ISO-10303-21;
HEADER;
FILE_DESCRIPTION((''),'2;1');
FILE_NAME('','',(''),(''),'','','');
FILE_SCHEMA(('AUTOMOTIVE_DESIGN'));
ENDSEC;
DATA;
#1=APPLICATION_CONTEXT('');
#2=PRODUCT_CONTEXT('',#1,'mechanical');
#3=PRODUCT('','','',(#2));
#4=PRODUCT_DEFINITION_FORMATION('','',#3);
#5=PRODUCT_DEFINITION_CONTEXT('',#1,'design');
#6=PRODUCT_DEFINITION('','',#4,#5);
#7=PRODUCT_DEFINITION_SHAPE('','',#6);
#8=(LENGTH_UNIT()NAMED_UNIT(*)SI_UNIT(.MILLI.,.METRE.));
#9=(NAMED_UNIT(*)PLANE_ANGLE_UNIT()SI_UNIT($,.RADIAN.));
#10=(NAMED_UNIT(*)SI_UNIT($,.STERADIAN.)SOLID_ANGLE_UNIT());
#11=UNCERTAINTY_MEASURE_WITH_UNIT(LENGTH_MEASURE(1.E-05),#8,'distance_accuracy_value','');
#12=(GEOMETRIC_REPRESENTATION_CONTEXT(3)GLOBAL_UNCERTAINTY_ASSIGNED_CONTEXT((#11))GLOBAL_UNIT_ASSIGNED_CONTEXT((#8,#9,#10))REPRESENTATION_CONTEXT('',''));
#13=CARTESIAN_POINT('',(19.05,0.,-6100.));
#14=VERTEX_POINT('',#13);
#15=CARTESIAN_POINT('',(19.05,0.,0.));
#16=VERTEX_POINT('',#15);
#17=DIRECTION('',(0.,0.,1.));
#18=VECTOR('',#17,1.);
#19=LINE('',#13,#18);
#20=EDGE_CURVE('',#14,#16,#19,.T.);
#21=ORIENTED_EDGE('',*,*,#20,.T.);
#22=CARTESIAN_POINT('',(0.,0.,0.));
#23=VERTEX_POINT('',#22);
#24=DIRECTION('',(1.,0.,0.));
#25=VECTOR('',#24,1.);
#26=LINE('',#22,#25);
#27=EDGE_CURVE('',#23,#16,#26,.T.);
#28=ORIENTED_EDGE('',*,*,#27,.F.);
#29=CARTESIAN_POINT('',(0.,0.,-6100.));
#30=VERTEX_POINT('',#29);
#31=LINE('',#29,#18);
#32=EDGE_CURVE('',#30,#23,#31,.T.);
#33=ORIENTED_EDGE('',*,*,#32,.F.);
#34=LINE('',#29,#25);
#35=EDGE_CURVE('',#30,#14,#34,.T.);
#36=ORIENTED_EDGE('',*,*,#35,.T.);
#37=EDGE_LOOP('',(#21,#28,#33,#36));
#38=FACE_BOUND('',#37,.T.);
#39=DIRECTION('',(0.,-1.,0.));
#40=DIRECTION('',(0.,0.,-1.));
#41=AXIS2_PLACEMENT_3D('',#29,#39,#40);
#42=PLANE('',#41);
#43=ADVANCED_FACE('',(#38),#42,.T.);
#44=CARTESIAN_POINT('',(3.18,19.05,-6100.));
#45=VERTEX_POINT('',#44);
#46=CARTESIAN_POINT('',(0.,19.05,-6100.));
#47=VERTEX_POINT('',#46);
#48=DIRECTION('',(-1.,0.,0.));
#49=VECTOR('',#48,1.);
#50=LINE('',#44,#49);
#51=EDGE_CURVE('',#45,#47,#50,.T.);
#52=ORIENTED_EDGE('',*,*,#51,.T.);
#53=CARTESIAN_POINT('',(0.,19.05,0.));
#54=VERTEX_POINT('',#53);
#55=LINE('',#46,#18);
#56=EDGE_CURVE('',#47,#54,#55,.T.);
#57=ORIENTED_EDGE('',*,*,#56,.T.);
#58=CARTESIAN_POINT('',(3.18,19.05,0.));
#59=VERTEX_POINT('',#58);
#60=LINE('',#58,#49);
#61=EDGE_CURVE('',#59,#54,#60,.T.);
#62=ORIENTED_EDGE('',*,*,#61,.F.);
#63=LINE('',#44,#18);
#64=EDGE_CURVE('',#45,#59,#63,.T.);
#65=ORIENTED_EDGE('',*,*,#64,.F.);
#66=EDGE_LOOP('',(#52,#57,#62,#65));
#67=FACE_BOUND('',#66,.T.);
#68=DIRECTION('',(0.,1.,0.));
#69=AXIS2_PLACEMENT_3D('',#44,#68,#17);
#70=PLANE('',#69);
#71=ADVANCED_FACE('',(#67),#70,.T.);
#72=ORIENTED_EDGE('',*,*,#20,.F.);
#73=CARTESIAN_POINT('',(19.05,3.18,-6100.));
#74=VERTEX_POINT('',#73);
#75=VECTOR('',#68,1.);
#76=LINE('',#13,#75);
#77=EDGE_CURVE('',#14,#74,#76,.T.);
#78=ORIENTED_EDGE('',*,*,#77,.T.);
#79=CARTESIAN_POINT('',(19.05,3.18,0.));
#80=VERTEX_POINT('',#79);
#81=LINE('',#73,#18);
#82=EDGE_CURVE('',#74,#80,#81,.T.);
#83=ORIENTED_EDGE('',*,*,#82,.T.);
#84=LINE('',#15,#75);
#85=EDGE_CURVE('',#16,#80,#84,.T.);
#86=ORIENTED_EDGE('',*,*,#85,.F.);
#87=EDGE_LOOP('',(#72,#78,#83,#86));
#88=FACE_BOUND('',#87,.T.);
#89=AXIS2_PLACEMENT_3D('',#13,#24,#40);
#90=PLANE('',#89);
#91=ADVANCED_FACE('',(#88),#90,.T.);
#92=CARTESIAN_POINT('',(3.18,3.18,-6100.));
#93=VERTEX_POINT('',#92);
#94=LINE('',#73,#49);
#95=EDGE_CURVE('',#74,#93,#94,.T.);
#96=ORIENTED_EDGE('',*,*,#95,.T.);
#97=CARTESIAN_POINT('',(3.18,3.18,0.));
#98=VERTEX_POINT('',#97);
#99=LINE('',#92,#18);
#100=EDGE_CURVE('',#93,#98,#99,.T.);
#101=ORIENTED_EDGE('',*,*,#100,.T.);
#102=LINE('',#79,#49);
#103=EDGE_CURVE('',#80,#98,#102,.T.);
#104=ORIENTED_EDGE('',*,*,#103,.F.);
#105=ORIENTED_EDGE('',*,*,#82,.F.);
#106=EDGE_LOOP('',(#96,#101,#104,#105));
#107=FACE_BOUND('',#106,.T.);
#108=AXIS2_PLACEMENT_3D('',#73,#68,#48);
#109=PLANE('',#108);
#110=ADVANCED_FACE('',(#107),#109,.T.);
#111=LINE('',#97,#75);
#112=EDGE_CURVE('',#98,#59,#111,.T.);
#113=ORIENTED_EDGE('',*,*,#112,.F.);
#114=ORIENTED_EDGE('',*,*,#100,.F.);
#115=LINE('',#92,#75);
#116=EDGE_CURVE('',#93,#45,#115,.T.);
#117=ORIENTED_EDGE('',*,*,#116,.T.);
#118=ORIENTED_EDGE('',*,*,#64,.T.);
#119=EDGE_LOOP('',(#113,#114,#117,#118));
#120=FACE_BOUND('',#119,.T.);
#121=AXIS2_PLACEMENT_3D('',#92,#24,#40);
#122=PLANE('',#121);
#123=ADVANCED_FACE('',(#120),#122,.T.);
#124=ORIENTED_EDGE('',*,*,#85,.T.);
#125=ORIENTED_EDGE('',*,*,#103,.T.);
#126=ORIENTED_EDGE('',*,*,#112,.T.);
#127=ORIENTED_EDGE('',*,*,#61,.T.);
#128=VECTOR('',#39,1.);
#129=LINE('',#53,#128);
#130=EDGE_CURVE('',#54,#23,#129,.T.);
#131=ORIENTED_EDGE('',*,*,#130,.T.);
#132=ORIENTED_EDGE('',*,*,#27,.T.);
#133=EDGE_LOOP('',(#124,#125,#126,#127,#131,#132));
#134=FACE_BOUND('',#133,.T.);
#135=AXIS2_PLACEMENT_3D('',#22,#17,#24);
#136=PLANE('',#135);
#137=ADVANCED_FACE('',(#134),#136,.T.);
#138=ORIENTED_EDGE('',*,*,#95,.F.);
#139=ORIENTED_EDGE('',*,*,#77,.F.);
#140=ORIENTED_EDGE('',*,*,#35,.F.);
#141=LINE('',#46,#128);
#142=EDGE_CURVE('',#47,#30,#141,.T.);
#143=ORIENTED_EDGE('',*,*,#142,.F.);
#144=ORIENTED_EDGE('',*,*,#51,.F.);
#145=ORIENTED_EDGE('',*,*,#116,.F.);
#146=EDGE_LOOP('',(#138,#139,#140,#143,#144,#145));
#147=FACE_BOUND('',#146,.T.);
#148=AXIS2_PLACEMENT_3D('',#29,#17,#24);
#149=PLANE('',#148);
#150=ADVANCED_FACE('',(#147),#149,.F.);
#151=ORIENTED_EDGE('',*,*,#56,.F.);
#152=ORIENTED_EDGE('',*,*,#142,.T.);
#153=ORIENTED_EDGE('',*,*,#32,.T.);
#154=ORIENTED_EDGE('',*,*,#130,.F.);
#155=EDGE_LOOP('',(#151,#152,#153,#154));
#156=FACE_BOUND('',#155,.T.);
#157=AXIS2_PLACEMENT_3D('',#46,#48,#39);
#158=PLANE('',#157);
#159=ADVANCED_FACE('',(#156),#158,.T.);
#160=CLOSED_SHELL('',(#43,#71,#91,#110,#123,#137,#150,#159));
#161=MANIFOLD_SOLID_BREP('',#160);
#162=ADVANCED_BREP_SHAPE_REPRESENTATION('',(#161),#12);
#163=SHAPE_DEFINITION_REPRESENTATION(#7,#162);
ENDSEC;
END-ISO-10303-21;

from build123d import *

# Parameters (mm, degrees)
SALIENTE_EXTRUIR1_DEPTH = 6100


with BuildPart() as part:
    # Croquis1 → Saliente-Extruir1 (new body)
    with BuildSketch(Plane.XY):
        Polygon((0, 19.05), (0, 0), (19.05, 0), (19.05, 3.18), (3.18, 3.18), (3.18, 19.05), align=None)
    extrude(amount=-SALIENTE_EXTRUIR1_DEPTH)


solid = part.part
